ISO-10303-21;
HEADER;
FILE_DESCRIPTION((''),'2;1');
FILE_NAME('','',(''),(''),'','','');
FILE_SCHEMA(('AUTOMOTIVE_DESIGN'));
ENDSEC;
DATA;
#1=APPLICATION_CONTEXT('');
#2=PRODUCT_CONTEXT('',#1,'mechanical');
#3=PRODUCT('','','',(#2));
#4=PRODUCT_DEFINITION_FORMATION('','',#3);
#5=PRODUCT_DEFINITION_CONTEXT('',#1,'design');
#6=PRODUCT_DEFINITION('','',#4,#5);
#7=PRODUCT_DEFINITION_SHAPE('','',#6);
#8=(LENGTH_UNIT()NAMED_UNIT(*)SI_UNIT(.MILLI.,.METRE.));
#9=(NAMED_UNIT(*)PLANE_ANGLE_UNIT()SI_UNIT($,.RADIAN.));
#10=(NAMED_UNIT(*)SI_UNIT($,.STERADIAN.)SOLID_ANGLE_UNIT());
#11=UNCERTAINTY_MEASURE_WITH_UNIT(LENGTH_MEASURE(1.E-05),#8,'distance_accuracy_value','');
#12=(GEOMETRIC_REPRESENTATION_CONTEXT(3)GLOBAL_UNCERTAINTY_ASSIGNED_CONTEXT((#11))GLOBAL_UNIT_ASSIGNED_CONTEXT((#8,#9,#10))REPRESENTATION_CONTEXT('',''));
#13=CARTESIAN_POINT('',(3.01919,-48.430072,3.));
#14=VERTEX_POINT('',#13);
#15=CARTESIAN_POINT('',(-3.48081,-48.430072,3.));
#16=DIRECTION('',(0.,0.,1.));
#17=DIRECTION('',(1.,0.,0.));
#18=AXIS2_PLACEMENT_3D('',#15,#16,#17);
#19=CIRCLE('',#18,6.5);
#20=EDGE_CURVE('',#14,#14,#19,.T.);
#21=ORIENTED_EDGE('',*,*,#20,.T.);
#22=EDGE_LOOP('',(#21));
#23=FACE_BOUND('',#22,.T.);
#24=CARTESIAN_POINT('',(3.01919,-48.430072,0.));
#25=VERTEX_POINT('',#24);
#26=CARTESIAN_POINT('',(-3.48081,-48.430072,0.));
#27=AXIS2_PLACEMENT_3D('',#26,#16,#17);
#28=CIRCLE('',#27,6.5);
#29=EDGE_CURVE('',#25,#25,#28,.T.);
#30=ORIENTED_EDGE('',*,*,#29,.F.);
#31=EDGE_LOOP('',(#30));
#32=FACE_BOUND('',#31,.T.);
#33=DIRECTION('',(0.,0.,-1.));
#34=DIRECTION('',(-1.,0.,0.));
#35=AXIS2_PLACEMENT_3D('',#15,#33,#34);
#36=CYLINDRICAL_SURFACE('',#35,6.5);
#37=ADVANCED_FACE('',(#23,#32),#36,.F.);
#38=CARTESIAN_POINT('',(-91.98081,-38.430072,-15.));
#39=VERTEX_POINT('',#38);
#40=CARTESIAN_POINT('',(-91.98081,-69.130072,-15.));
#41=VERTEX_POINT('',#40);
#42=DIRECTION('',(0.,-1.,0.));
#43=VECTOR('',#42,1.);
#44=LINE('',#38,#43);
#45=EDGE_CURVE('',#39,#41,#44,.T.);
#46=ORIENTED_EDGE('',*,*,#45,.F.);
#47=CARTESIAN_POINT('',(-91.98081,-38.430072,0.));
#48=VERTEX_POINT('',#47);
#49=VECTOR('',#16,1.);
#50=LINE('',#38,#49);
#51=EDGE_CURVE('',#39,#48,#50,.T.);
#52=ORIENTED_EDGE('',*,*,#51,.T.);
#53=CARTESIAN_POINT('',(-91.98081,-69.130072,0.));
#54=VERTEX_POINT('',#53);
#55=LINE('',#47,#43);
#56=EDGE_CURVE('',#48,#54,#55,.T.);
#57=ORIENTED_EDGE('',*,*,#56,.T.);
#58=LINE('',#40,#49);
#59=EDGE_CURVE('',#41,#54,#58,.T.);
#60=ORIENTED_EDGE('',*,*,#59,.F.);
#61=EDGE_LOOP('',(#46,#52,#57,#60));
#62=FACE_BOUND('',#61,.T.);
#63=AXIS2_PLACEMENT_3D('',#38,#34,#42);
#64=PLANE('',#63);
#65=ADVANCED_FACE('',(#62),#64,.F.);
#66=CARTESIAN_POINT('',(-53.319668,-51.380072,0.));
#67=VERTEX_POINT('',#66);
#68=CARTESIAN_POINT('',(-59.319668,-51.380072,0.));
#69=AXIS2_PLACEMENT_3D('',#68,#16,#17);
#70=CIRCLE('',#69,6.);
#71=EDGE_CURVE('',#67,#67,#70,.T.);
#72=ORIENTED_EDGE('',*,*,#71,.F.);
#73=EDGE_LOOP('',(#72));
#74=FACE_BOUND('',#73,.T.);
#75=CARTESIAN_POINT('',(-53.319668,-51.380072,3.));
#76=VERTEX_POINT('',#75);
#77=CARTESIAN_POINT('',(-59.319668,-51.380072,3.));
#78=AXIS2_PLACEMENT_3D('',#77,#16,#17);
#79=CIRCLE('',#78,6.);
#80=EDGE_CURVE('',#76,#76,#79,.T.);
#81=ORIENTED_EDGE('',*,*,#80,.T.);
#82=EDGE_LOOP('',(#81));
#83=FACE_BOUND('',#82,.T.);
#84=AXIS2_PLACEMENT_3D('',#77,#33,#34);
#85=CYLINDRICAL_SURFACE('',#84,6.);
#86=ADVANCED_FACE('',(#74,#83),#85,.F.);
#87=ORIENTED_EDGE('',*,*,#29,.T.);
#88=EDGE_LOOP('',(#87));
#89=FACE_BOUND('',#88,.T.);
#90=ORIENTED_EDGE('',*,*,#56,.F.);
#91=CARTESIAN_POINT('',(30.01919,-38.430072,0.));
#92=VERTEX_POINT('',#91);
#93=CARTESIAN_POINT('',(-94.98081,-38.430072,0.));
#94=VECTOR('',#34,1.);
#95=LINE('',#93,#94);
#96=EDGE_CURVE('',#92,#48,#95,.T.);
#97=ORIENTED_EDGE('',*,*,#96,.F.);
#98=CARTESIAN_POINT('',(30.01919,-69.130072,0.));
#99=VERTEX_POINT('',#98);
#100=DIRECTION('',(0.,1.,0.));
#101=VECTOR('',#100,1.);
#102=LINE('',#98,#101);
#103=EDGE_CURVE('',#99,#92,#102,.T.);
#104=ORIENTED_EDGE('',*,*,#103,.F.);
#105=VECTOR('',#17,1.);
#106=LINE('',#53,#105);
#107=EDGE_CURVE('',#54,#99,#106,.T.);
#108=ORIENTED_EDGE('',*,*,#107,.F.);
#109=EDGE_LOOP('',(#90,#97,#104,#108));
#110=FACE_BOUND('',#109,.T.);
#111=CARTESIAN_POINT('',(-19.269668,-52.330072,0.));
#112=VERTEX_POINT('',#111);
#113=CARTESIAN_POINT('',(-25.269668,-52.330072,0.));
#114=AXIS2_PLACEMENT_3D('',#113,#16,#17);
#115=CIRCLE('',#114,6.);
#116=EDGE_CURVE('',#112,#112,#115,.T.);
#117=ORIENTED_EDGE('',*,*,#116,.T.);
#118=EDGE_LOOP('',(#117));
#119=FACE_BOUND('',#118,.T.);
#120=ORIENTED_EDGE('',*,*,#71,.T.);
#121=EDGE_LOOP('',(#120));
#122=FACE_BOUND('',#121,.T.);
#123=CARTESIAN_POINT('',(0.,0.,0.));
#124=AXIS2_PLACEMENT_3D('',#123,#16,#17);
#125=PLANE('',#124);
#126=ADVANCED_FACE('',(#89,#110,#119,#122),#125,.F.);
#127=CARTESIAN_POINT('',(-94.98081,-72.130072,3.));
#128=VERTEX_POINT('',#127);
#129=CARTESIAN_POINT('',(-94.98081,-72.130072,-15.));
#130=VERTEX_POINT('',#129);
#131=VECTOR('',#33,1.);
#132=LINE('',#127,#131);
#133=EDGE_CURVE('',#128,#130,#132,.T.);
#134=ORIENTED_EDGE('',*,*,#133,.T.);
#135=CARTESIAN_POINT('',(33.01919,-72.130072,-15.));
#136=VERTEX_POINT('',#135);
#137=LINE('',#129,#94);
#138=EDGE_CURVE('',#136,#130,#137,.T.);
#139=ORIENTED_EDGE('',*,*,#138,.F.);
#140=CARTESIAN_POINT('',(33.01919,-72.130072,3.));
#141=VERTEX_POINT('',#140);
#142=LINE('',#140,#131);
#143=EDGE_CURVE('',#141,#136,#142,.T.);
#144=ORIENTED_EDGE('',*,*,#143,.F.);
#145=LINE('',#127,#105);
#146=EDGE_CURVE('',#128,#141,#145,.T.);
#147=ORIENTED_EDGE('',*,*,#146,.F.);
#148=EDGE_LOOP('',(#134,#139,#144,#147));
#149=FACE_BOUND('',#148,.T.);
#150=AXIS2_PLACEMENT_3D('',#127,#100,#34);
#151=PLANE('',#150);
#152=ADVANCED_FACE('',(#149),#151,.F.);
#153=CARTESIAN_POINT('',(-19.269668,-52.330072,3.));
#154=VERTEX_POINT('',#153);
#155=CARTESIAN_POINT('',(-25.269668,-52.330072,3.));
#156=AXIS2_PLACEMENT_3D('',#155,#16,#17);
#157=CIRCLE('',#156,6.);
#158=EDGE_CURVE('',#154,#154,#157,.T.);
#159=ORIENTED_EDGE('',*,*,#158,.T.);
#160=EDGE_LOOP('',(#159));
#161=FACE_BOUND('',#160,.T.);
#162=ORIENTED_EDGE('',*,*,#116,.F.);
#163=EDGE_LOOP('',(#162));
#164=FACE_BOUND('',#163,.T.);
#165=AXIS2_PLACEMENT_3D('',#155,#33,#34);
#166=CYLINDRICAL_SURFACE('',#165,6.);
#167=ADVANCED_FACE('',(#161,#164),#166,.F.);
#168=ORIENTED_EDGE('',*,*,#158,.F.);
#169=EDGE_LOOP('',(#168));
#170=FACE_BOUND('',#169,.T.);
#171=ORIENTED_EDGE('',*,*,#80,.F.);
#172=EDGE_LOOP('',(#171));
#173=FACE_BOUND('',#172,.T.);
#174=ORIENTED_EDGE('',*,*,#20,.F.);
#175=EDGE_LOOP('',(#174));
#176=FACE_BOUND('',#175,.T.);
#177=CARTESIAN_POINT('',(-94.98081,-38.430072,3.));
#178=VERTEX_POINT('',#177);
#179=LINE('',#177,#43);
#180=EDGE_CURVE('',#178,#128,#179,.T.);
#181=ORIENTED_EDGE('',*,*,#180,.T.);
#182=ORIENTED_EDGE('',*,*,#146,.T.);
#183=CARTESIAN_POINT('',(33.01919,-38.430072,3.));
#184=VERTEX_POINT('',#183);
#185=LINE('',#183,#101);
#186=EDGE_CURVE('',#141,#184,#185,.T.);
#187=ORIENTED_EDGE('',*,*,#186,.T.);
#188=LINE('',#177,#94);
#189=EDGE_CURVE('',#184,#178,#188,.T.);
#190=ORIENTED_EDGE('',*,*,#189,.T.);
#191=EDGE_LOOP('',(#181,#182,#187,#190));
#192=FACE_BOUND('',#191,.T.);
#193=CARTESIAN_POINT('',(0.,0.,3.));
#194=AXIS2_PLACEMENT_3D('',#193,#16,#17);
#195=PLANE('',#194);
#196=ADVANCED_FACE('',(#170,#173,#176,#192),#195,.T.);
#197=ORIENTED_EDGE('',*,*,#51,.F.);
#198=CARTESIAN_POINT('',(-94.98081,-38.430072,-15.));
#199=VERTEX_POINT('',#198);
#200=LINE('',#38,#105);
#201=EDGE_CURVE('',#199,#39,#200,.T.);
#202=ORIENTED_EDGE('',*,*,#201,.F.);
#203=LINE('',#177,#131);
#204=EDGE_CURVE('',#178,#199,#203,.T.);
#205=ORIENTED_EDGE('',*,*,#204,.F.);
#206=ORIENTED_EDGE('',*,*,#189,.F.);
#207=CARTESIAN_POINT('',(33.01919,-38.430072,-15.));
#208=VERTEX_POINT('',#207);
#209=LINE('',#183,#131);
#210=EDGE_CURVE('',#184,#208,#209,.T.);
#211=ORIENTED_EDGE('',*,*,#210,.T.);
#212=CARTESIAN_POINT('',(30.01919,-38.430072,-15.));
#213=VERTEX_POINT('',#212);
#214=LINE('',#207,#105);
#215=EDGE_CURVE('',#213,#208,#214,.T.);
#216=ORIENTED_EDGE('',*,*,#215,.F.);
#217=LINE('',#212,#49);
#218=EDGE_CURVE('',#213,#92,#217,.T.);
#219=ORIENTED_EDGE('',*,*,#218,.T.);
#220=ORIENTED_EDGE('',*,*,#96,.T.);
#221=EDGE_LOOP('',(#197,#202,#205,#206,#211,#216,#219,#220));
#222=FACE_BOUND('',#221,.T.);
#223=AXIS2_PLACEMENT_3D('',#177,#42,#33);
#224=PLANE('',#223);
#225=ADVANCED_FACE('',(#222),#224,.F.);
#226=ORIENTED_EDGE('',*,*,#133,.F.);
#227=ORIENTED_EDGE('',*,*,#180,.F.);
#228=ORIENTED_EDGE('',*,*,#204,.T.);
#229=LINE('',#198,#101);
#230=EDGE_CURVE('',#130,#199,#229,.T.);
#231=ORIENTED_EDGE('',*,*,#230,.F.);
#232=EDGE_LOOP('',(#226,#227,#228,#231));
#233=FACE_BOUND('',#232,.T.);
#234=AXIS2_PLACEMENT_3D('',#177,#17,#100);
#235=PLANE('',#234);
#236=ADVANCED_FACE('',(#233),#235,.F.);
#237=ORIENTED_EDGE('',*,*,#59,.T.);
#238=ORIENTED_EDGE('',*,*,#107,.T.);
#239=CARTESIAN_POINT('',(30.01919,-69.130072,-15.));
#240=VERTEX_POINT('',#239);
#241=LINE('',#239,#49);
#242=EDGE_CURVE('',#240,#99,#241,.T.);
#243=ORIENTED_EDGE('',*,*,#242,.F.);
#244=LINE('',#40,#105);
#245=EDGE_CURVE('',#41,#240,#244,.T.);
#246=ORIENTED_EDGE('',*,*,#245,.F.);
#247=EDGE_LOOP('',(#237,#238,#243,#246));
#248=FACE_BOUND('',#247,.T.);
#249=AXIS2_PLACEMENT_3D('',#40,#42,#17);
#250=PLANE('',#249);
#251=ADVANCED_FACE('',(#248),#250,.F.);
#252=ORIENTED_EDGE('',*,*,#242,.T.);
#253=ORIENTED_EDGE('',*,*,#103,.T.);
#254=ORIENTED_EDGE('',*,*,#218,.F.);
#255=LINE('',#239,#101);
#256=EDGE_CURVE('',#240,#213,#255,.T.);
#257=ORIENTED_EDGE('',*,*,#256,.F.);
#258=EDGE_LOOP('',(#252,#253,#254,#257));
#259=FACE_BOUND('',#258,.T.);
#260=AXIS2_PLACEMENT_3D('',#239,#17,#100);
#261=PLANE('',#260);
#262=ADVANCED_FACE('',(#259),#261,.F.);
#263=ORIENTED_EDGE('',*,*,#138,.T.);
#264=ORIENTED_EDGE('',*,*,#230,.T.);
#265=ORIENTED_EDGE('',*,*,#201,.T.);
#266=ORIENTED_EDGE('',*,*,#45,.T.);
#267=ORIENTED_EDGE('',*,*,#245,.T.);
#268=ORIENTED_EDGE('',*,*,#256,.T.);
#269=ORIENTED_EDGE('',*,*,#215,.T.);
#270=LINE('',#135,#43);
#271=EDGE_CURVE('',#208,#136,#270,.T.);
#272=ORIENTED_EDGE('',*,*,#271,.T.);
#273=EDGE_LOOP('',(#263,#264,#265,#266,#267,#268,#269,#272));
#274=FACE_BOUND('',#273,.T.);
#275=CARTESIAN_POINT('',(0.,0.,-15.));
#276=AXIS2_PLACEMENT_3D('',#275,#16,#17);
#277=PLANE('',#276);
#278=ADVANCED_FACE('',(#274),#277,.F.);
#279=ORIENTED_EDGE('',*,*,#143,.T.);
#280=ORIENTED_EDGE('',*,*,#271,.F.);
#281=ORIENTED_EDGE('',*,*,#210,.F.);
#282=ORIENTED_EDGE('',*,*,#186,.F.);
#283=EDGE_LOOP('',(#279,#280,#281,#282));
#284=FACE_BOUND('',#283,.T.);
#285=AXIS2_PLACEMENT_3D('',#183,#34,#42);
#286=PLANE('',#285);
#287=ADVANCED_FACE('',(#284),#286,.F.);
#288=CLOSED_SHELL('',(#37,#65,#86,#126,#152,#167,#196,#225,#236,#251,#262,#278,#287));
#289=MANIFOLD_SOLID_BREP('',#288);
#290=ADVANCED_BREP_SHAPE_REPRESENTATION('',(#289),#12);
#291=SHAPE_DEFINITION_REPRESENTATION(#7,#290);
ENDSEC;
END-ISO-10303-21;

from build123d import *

# Parameters (mm, degrees)
SKETCH_1_W      = 128
SKETCH_1_H      = 33.7
SKETCH_1_R      = 6.5
SKETCH_1_R_2    = 6
EXTRUDE_1_DEPTH = 3
EXTRUDE_2_DEPTH = 15


with BuildPart() as part:
    # 草圖1 → 填料-伸長1 (new body)
    with BuildSketch(Plane.XY):
        with Locations((-30.980810071, -55.280072207)):
            Rectangle(SKETCH_1_W, SKETCH_1_H)
        with Locations((-3.480809972, -48.430072207)):
            Circle(SKETCH_1_R, mode=Mode.SUBTRACT)
        with Locations((-25.269668394, -52.330072207)):
            Circle(SKETCH_1_R_2, mode=Mode.SUBTRACT)
        with Locations((-59.319668394, -51.380072207)):
            Circle(SKETCH_1_R_2, mode=Mode.SUBTRACT)
    extrude(amount=EXTRUDE_1_DEPTH)

    # 草圖2 → 填料-伸長2 (add)
    with BuildSketch(Plane(origin=(0, 0, 0), x_dir=(-1, 0, 0), z_dir=(0, 0, -1))):
        Polygon((91.980810071, -38.430072207), (91.980810071, -69.130072207), (-30.019189929, -69.130072207), (-30.019189929, -38.430072207), (-33.019189929, -38.430072207), (-33.019189929, -72.130072207), (94.980810071, -72.130072207), (94.980810071, -38.430072207), align=None)
    extrude(amount=EXTRUDE_2_DEPTH)


solid = part.part
